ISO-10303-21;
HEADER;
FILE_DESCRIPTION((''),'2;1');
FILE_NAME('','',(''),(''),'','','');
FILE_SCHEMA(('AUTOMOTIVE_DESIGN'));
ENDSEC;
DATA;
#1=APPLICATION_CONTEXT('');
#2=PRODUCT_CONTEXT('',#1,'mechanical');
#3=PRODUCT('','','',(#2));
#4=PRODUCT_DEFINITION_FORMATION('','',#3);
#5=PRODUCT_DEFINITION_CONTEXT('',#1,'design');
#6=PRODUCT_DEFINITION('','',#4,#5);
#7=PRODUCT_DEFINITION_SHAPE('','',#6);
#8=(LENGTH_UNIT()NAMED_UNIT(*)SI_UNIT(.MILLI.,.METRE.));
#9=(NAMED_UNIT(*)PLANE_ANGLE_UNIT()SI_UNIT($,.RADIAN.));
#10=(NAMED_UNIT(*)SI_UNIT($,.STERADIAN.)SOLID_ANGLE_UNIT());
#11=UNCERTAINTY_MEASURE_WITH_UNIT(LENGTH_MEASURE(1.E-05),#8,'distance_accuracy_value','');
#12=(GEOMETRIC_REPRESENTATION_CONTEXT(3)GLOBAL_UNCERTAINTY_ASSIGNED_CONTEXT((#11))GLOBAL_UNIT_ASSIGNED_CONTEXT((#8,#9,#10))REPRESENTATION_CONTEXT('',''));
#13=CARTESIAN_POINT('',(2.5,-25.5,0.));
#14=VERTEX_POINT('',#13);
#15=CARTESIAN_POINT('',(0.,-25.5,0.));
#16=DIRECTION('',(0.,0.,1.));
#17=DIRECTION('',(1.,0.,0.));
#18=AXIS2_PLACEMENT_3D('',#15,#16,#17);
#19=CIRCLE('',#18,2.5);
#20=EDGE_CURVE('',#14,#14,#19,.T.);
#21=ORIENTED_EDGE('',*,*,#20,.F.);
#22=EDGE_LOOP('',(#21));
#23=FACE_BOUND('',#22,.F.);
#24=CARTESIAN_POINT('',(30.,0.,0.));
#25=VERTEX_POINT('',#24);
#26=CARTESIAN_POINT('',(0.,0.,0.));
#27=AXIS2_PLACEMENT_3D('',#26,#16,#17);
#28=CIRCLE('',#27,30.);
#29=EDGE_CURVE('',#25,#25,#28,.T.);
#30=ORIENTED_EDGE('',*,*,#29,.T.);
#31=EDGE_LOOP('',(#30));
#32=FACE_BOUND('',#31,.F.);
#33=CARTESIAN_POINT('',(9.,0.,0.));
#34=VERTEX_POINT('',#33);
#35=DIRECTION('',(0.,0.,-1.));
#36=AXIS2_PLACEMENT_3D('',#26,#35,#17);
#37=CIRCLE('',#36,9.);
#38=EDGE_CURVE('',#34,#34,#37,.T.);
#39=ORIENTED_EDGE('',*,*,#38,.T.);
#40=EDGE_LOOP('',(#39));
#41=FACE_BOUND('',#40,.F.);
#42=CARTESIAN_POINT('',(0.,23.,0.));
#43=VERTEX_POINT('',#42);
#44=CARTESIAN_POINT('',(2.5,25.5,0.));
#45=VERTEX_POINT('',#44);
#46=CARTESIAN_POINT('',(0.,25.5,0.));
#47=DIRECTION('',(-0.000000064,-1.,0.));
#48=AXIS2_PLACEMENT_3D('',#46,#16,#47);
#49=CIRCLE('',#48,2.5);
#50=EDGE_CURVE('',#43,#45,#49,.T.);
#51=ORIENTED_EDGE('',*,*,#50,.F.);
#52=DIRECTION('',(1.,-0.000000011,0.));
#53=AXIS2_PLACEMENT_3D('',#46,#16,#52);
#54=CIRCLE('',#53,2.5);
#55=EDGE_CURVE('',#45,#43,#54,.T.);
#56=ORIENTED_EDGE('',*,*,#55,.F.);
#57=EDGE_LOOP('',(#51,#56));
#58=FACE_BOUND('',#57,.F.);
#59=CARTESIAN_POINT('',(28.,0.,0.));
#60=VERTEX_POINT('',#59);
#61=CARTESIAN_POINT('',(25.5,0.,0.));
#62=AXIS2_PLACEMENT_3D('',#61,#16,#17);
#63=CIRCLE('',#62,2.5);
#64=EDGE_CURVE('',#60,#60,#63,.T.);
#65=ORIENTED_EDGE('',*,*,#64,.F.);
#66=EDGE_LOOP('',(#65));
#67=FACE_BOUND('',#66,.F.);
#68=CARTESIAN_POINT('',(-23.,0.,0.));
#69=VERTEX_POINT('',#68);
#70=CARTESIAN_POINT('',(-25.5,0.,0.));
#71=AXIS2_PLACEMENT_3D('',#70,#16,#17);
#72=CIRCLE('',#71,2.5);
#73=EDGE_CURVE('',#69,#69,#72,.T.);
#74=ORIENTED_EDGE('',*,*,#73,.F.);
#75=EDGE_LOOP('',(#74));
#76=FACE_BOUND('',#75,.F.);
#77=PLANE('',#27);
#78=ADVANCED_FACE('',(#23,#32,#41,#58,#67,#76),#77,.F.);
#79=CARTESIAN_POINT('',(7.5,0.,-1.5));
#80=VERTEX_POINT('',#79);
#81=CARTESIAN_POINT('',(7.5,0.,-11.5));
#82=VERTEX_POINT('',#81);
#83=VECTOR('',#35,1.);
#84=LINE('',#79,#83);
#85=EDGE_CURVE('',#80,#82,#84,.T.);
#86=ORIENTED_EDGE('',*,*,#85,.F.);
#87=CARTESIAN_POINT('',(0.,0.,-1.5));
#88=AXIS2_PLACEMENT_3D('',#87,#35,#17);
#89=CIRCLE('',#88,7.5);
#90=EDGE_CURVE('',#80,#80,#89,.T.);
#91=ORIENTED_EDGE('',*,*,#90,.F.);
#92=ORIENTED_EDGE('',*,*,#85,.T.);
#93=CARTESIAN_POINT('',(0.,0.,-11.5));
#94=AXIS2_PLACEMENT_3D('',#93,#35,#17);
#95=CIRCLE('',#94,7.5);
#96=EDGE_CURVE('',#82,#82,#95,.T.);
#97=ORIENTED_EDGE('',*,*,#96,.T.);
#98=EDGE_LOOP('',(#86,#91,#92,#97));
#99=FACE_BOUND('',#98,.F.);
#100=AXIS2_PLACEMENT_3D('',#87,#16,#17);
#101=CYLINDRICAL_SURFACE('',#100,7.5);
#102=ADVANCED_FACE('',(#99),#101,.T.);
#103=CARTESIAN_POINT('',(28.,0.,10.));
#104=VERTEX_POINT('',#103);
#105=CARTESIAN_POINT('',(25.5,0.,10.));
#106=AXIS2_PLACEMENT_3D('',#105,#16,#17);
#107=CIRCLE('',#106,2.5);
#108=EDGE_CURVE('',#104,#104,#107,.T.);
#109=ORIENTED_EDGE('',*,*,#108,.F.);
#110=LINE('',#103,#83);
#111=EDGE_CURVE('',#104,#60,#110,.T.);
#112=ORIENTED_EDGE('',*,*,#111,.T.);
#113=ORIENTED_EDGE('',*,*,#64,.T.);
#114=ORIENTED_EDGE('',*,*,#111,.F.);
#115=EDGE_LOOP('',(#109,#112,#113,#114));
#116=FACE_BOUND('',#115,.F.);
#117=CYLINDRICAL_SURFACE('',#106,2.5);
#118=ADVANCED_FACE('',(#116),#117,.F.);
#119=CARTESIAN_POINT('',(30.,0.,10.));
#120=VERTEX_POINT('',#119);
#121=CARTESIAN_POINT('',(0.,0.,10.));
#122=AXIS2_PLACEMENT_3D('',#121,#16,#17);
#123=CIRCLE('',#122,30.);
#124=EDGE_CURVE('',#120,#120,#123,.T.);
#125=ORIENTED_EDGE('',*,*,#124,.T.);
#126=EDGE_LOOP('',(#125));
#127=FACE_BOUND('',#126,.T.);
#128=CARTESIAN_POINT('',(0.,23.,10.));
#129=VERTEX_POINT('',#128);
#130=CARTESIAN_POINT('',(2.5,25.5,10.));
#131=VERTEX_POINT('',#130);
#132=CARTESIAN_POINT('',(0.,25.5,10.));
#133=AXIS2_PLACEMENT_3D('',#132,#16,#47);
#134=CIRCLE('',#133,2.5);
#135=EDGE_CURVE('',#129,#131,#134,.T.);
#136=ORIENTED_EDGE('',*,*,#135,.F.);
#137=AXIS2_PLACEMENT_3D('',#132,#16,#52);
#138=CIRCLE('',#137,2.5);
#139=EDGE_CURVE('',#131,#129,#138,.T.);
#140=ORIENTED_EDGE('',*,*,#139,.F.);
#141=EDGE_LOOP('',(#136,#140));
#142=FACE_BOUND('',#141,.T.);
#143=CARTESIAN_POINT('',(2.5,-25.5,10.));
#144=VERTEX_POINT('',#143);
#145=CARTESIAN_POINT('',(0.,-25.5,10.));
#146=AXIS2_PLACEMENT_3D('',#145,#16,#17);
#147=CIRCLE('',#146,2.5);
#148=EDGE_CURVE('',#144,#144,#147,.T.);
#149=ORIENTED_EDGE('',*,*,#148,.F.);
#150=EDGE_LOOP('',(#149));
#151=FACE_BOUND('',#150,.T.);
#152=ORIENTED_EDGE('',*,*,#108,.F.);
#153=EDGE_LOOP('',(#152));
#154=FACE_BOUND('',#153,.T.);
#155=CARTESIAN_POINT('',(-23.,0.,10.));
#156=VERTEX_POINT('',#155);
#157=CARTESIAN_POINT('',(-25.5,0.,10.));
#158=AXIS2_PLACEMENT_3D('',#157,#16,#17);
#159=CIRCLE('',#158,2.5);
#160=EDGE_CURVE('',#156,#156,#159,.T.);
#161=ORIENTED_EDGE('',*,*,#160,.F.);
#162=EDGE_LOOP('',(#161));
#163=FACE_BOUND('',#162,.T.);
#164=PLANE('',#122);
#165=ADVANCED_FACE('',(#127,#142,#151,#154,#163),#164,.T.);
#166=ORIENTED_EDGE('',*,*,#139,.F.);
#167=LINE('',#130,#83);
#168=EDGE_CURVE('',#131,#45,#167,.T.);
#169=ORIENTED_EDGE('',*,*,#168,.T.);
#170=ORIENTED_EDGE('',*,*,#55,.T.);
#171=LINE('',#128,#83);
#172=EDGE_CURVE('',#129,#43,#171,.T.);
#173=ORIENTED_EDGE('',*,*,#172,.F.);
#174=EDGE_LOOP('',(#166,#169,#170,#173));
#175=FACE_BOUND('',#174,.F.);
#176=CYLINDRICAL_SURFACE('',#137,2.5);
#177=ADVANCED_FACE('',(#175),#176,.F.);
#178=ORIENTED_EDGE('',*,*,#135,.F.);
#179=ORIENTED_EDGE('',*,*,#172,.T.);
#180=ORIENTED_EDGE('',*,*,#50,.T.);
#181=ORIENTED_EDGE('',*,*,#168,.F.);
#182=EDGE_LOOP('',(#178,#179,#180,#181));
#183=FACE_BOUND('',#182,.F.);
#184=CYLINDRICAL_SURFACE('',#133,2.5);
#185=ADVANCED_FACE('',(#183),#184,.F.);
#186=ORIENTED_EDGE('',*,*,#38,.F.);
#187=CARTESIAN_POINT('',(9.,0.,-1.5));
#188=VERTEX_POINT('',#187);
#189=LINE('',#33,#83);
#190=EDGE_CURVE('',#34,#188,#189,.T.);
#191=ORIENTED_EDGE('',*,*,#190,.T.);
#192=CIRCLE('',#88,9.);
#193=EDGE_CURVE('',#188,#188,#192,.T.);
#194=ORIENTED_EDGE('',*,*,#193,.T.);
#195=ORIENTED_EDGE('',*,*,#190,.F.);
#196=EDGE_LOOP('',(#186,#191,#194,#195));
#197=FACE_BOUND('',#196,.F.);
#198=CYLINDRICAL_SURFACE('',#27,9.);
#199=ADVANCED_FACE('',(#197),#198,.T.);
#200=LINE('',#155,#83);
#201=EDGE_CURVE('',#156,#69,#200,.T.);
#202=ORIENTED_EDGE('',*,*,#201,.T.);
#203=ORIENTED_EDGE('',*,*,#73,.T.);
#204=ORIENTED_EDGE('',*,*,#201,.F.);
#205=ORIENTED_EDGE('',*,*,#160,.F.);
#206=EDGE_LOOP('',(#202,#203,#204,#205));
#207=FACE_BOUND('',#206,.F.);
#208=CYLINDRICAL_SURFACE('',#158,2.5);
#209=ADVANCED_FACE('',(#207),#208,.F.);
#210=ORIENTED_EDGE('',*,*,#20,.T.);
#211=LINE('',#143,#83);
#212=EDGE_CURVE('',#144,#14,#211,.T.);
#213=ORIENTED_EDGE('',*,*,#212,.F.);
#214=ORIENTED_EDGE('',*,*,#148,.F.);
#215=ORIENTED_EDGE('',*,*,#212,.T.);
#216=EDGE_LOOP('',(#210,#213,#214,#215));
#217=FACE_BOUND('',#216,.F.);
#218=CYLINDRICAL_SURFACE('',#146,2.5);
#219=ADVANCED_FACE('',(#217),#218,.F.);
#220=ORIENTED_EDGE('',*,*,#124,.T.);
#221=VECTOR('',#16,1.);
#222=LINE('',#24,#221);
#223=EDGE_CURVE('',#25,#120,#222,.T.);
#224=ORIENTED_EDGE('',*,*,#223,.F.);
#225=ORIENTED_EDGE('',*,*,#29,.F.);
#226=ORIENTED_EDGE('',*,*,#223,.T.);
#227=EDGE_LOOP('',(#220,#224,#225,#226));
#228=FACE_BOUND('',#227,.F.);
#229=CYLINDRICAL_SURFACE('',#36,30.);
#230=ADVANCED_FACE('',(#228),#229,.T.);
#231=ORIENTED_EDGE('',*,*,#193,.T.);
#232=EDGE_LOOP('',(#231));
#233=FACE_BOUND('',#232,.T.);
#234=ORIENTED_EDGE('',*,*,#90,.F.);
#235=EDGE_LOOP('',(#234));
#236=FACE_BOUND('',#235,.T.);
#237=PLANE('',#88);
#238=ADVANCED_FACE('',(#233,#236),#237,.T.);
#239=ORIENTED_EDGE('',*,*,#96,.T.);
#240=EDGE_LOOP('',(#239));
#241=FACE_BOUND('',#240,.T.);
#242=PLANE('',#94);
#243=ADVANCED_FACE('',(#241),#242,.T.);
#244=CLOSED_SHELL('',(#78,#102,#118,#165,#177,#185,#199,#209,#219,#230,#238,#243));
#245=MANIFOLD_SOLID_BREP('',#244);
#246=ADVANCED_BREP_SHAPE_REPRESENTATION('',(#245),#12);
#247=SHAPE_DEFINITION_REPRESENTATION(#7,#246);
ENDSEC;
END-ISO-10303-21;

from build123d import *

# Parameters (mm, degrees)
F0_R     = 30
F1_DEPTH = 10
F2_R     = 2.5
F3_DEPTH = 10.001
F4_R     = 9
F5_DEPTH = 1.5
F6_R     = 7.5
F7_DEPTH = 10


with BuildPart() as f1:
    # F0 (on Top) → F1 (new body)
    with BuildSketch(Plane.XY):
        Circle(F0_R)
    extrude(amount=F1_DEPTH)

    # F2 (on face) → F3 (cut, through all)
    with BuildSketch(Plane.XY.offset(10)):
        with BuildLine():
            ThreePointArc((0, 23), (1.767767, 23.732233), (2.5, 25.5))
            ThreePointArc((2.5, 25.5), (-1.767767, 27.267767), (0, 23))
        make_face()
        with Locations((25.5, 0)):
            Circle(F2_R)
        with Locations((0, -25.5)):
            Circle(F2_R)
        with Locations((-25.5, 0)):
            Circle(F2_R)
    extrude(amount=-F3_DEPTH, mode=Mode.SUBTRACT)

    # F4 (on face) → F5 (join)
    with BuildSketch(Plane(origin=(0, 0, 0), x_dir=(1, 0, 0), z_dir=(0, 0, -1))):
        Circle(F4_R)
    extrude(amount=F5_DEPTH)

    # F6 (on face) → F7 (join)
    with BuildSketch(Plane(origin=(0, 0, -1.5), x_dir=(1, 0, 0), z_dir=(0, 0, -1))):
        Circle(F6_R)
    extrude(amount=F7_DEPTH)


solid = f1.part
